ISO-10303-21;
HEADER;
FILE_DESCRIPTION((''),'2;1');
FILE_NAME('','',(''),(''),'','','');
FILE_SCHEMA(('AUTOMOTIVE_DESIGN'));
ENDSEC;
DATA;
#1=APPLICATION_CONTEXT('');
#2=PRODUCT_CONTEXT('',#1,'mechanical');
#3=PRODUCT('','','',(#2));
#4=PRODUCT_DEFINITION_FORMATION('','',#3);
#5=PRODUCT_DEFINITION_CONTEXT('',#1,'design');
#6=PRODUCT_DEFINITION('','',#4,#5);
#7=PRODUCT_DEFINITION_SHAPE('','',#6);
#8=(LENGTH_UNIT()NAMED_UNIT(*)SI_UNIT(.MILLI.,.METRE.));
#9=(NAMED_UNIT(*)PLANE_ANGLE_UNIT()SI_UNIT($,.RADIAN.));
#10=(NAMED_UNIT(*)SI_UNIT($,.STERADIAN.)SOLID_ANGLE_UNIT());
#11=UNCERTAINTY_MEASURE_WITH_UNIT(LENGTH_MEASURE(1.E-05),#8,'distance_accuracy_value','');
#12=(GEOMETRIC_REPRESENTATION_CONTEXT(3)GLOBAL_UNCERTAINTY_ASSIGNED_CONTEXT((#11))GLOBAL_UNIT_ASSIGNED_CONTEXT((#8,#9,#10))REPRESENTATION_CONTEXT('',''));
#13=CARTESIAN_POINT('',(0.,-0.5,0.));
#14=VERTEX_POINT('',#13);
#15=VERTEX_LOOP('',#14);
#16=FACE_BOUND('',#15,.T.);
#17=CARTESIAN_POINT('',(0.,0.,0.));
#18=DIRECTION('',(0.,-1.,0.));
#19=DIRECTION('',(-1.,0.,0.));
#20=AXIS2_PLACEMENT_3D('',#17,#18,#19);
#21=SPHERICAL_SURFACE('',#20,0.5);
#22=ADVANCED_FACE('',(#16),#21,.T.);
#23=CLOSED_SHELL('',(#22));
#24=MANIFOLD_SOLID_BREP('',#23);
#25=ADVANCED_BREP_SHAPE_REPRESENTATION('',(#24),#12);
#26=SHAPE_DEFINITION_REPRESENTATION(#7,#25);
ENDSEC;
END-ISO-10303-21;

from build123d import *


with BuildPart() as part:
    # Sketch1 → Revolve1 (revolve)
    with BuildSketch(Plane.XY):
        with BuildLine():
            Line((0, -0.5), (0, 0.5))
            ThreePointArc((0, 0.5), (-0.5, 0), (0, -0.5))
        make_face()
    revolve(axis=Axis((0, -0.5, 0), (0, 1, 0)))


solid = part.part
